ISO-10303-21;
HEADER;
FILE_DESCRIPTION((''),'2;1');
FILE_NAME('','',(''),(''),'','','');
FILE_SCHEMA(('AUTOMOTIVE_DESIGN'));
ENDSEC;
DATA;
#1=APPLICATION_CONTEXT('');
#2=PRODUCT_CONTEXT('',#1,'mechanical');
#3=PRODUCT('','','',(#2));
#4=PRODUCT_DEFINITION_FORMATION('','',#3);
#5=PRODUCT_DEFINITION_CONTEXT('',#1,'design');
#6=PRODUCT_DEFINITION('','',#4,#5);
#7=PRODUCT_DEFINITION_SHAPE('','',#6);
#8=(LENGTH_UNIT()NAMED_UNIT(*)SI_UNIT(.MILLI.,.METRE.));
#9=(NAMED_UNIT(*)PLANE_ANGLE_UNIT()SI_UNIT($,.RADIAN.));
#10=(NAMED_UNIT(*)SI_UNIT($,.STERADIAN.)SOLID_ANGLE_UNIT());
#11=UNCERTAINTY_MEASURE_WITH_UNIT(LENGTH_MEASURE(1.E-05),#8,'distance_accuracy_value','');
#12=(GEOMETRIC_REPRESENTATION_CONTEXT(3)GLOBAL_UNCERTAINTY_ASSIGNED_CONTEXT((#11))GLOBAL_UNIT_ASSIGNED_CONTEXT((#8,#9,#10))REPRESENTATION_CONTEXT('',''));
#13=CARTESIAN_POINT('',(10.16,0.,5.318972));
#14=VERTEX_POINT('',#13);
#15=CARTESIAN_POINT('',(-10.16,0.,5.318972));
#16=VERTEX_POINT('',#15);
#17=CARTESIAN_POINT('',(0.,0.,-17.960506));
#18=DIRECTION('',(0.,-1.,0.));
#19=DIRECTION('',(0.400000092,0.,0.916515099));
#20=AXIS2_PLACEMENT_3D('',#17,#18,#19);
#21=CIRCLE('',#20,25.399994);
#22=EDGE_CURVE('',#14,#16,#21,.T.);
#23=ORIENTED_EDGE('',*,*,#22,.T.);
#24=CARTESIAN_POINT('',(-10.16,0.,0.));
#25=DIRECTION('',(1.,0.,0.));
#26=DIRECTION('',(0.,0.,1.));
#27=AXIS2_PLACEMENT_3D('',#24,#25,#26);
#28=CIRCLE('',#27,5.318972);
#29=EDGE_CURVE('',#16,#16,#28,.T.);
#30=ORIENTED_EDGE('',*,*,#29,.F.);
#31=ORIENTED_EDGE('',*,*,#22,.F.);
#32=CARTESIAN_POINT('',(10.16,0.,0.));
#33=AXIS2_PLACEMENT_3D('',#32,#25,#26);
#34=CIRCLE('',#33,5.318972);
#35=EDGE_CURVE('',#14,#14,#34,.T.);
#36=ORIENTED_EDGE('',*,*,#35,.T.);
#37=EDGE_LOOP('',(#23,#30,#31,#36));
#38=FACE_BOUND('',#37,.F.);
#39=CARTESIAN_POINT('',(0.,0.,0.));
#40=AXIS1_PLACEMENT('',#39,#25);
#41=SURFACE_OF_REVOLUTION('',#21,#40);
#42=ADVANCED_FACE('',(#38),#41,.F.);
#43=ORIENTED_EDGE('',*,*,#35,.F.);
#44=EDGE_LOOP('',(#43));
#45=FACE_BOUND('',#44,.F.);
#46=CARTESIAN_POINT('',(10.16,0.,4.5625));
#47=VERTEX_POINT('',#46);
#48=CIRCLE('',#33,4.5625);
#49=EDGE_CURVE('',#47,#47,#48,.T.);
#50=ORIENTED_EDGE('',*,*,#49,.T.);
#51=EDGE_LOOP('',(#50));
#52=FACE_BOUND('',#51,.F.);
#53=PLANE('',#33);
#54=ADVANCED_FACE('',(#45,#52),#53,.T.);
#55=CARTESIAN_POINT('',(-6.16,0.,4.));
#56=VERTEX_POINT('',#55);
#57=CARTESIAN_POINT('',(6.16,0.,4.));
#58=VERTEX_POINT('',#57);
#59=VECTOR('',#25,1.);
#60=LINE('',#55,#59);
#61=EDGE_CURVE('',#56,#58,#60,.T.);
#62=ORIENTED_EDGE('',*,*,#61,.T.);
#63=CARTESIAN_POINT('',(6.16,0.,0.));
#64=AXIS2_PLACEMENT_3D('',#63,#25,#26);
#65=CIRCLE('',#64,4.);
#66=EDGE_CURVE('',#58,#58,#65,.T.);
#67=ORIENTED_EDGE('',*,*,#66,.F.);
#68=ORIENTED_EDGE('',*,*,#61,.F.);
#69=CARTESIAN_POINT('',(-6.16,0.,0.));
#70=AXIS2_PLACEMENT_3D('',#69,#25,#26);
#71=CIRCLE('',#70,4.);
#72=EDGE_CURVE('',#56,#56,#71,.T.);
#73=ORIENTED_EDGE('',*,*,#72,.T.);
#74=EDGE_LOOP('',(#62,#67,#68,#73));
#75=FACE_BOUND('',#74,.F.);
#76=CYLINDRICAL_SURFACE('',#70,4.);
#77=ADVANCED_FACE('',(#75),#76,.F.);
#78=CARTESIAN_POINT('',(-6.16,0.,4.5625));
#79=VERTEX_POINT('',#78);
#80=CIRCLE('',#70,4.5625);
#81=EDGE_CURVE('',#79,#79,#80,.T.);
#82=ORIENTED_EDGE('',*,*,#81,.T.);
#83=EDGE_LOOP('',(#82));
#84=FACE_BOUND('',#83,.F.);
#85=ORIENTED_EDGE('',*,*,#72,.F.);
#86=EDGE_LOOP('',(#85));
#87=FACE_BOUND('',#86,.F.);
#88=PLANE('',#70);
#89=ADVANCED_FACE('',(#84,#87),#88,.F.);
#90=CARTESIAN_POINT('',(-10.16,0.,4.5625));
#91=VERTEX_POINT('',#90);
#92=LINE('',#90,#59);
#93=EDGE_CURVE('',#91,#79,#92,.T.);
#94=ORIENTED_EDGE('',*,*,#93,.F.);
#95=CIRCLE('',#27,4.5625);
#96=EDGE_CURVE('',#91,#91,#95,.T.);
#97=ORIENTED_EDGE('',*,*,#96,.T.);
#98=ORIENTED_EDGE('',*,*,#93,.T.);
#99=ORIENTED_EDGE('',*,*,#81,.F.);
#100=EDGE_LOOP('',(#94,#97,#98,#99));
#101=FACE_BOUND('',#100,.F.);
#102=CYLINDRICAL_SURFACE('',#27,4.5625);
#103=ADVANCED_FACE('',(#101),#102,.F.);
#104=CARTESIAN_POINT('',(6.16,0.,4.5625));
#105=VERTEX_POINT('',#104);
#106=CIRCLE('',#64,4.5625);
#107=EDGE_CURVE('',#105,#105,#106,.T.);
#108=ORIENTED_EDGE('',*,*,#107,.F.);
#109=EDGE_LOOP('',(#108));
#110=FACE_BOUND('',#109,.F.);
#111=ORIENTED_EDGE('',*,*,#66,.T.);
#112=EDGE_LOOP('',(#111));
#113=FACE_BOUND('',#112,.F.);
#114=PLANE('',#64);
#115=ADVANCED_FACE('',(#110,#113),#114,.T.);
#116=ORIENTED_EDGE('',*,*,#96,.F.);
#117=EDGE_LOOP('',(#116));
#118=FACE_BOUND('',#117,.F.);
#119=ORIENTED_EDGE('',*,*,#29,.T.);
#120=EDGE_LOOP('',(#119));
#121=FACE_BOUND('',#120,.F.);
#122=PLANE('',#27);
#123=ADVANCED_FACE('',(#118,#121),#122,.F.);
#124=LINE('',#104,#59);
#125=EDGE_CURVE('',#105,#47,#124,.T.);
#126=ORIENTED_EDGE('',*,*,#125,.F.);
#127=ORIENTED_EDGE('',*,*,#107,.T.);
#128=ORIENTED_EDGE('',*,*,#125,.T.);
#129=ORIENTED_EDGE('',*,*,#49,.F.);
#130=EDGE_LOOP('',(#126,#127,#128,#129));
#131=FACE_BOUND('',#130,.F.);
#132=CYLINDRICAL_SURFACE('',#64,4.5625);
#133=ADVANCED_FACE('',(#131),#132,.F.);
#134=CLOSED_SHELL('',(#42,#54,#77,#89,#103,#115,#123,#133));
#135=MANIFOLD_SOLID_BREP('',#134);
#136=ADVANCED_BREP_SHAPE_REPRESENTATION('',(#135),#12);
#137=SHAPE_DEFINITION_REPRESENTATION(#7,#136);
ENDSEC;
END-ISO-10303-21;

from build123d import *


with BuildPart() as f1:
    # F0 (on Front) → F1 (revolve)
    with BuildSketch(Plane.XZ):
        with BuildLine():
            Line((-10.16, 5.318972), (-10.16, 4.5625))
            Line((-10.16, 4.5625), (-6.16, 4.5625))
            Line((-6.16, 4.5625), (-6.16, 4))
            Line((-6.16, 4), (6.16, 4))
            Line((6.16, 4), (6.16, 4.5625))
            Line((6.16, 4.5625), (10.16, 4.5625))
            Line((10.16, 4.5625), (10.16, 5.318972))
            ThreePointArc((10.16, 5.318972), (0, 7.439488), (-10.16, 5.318972))
        make_face()
    revolve(axis=Axis((0, 0, 0), (1, 0, 0)))


solid = f1.part
